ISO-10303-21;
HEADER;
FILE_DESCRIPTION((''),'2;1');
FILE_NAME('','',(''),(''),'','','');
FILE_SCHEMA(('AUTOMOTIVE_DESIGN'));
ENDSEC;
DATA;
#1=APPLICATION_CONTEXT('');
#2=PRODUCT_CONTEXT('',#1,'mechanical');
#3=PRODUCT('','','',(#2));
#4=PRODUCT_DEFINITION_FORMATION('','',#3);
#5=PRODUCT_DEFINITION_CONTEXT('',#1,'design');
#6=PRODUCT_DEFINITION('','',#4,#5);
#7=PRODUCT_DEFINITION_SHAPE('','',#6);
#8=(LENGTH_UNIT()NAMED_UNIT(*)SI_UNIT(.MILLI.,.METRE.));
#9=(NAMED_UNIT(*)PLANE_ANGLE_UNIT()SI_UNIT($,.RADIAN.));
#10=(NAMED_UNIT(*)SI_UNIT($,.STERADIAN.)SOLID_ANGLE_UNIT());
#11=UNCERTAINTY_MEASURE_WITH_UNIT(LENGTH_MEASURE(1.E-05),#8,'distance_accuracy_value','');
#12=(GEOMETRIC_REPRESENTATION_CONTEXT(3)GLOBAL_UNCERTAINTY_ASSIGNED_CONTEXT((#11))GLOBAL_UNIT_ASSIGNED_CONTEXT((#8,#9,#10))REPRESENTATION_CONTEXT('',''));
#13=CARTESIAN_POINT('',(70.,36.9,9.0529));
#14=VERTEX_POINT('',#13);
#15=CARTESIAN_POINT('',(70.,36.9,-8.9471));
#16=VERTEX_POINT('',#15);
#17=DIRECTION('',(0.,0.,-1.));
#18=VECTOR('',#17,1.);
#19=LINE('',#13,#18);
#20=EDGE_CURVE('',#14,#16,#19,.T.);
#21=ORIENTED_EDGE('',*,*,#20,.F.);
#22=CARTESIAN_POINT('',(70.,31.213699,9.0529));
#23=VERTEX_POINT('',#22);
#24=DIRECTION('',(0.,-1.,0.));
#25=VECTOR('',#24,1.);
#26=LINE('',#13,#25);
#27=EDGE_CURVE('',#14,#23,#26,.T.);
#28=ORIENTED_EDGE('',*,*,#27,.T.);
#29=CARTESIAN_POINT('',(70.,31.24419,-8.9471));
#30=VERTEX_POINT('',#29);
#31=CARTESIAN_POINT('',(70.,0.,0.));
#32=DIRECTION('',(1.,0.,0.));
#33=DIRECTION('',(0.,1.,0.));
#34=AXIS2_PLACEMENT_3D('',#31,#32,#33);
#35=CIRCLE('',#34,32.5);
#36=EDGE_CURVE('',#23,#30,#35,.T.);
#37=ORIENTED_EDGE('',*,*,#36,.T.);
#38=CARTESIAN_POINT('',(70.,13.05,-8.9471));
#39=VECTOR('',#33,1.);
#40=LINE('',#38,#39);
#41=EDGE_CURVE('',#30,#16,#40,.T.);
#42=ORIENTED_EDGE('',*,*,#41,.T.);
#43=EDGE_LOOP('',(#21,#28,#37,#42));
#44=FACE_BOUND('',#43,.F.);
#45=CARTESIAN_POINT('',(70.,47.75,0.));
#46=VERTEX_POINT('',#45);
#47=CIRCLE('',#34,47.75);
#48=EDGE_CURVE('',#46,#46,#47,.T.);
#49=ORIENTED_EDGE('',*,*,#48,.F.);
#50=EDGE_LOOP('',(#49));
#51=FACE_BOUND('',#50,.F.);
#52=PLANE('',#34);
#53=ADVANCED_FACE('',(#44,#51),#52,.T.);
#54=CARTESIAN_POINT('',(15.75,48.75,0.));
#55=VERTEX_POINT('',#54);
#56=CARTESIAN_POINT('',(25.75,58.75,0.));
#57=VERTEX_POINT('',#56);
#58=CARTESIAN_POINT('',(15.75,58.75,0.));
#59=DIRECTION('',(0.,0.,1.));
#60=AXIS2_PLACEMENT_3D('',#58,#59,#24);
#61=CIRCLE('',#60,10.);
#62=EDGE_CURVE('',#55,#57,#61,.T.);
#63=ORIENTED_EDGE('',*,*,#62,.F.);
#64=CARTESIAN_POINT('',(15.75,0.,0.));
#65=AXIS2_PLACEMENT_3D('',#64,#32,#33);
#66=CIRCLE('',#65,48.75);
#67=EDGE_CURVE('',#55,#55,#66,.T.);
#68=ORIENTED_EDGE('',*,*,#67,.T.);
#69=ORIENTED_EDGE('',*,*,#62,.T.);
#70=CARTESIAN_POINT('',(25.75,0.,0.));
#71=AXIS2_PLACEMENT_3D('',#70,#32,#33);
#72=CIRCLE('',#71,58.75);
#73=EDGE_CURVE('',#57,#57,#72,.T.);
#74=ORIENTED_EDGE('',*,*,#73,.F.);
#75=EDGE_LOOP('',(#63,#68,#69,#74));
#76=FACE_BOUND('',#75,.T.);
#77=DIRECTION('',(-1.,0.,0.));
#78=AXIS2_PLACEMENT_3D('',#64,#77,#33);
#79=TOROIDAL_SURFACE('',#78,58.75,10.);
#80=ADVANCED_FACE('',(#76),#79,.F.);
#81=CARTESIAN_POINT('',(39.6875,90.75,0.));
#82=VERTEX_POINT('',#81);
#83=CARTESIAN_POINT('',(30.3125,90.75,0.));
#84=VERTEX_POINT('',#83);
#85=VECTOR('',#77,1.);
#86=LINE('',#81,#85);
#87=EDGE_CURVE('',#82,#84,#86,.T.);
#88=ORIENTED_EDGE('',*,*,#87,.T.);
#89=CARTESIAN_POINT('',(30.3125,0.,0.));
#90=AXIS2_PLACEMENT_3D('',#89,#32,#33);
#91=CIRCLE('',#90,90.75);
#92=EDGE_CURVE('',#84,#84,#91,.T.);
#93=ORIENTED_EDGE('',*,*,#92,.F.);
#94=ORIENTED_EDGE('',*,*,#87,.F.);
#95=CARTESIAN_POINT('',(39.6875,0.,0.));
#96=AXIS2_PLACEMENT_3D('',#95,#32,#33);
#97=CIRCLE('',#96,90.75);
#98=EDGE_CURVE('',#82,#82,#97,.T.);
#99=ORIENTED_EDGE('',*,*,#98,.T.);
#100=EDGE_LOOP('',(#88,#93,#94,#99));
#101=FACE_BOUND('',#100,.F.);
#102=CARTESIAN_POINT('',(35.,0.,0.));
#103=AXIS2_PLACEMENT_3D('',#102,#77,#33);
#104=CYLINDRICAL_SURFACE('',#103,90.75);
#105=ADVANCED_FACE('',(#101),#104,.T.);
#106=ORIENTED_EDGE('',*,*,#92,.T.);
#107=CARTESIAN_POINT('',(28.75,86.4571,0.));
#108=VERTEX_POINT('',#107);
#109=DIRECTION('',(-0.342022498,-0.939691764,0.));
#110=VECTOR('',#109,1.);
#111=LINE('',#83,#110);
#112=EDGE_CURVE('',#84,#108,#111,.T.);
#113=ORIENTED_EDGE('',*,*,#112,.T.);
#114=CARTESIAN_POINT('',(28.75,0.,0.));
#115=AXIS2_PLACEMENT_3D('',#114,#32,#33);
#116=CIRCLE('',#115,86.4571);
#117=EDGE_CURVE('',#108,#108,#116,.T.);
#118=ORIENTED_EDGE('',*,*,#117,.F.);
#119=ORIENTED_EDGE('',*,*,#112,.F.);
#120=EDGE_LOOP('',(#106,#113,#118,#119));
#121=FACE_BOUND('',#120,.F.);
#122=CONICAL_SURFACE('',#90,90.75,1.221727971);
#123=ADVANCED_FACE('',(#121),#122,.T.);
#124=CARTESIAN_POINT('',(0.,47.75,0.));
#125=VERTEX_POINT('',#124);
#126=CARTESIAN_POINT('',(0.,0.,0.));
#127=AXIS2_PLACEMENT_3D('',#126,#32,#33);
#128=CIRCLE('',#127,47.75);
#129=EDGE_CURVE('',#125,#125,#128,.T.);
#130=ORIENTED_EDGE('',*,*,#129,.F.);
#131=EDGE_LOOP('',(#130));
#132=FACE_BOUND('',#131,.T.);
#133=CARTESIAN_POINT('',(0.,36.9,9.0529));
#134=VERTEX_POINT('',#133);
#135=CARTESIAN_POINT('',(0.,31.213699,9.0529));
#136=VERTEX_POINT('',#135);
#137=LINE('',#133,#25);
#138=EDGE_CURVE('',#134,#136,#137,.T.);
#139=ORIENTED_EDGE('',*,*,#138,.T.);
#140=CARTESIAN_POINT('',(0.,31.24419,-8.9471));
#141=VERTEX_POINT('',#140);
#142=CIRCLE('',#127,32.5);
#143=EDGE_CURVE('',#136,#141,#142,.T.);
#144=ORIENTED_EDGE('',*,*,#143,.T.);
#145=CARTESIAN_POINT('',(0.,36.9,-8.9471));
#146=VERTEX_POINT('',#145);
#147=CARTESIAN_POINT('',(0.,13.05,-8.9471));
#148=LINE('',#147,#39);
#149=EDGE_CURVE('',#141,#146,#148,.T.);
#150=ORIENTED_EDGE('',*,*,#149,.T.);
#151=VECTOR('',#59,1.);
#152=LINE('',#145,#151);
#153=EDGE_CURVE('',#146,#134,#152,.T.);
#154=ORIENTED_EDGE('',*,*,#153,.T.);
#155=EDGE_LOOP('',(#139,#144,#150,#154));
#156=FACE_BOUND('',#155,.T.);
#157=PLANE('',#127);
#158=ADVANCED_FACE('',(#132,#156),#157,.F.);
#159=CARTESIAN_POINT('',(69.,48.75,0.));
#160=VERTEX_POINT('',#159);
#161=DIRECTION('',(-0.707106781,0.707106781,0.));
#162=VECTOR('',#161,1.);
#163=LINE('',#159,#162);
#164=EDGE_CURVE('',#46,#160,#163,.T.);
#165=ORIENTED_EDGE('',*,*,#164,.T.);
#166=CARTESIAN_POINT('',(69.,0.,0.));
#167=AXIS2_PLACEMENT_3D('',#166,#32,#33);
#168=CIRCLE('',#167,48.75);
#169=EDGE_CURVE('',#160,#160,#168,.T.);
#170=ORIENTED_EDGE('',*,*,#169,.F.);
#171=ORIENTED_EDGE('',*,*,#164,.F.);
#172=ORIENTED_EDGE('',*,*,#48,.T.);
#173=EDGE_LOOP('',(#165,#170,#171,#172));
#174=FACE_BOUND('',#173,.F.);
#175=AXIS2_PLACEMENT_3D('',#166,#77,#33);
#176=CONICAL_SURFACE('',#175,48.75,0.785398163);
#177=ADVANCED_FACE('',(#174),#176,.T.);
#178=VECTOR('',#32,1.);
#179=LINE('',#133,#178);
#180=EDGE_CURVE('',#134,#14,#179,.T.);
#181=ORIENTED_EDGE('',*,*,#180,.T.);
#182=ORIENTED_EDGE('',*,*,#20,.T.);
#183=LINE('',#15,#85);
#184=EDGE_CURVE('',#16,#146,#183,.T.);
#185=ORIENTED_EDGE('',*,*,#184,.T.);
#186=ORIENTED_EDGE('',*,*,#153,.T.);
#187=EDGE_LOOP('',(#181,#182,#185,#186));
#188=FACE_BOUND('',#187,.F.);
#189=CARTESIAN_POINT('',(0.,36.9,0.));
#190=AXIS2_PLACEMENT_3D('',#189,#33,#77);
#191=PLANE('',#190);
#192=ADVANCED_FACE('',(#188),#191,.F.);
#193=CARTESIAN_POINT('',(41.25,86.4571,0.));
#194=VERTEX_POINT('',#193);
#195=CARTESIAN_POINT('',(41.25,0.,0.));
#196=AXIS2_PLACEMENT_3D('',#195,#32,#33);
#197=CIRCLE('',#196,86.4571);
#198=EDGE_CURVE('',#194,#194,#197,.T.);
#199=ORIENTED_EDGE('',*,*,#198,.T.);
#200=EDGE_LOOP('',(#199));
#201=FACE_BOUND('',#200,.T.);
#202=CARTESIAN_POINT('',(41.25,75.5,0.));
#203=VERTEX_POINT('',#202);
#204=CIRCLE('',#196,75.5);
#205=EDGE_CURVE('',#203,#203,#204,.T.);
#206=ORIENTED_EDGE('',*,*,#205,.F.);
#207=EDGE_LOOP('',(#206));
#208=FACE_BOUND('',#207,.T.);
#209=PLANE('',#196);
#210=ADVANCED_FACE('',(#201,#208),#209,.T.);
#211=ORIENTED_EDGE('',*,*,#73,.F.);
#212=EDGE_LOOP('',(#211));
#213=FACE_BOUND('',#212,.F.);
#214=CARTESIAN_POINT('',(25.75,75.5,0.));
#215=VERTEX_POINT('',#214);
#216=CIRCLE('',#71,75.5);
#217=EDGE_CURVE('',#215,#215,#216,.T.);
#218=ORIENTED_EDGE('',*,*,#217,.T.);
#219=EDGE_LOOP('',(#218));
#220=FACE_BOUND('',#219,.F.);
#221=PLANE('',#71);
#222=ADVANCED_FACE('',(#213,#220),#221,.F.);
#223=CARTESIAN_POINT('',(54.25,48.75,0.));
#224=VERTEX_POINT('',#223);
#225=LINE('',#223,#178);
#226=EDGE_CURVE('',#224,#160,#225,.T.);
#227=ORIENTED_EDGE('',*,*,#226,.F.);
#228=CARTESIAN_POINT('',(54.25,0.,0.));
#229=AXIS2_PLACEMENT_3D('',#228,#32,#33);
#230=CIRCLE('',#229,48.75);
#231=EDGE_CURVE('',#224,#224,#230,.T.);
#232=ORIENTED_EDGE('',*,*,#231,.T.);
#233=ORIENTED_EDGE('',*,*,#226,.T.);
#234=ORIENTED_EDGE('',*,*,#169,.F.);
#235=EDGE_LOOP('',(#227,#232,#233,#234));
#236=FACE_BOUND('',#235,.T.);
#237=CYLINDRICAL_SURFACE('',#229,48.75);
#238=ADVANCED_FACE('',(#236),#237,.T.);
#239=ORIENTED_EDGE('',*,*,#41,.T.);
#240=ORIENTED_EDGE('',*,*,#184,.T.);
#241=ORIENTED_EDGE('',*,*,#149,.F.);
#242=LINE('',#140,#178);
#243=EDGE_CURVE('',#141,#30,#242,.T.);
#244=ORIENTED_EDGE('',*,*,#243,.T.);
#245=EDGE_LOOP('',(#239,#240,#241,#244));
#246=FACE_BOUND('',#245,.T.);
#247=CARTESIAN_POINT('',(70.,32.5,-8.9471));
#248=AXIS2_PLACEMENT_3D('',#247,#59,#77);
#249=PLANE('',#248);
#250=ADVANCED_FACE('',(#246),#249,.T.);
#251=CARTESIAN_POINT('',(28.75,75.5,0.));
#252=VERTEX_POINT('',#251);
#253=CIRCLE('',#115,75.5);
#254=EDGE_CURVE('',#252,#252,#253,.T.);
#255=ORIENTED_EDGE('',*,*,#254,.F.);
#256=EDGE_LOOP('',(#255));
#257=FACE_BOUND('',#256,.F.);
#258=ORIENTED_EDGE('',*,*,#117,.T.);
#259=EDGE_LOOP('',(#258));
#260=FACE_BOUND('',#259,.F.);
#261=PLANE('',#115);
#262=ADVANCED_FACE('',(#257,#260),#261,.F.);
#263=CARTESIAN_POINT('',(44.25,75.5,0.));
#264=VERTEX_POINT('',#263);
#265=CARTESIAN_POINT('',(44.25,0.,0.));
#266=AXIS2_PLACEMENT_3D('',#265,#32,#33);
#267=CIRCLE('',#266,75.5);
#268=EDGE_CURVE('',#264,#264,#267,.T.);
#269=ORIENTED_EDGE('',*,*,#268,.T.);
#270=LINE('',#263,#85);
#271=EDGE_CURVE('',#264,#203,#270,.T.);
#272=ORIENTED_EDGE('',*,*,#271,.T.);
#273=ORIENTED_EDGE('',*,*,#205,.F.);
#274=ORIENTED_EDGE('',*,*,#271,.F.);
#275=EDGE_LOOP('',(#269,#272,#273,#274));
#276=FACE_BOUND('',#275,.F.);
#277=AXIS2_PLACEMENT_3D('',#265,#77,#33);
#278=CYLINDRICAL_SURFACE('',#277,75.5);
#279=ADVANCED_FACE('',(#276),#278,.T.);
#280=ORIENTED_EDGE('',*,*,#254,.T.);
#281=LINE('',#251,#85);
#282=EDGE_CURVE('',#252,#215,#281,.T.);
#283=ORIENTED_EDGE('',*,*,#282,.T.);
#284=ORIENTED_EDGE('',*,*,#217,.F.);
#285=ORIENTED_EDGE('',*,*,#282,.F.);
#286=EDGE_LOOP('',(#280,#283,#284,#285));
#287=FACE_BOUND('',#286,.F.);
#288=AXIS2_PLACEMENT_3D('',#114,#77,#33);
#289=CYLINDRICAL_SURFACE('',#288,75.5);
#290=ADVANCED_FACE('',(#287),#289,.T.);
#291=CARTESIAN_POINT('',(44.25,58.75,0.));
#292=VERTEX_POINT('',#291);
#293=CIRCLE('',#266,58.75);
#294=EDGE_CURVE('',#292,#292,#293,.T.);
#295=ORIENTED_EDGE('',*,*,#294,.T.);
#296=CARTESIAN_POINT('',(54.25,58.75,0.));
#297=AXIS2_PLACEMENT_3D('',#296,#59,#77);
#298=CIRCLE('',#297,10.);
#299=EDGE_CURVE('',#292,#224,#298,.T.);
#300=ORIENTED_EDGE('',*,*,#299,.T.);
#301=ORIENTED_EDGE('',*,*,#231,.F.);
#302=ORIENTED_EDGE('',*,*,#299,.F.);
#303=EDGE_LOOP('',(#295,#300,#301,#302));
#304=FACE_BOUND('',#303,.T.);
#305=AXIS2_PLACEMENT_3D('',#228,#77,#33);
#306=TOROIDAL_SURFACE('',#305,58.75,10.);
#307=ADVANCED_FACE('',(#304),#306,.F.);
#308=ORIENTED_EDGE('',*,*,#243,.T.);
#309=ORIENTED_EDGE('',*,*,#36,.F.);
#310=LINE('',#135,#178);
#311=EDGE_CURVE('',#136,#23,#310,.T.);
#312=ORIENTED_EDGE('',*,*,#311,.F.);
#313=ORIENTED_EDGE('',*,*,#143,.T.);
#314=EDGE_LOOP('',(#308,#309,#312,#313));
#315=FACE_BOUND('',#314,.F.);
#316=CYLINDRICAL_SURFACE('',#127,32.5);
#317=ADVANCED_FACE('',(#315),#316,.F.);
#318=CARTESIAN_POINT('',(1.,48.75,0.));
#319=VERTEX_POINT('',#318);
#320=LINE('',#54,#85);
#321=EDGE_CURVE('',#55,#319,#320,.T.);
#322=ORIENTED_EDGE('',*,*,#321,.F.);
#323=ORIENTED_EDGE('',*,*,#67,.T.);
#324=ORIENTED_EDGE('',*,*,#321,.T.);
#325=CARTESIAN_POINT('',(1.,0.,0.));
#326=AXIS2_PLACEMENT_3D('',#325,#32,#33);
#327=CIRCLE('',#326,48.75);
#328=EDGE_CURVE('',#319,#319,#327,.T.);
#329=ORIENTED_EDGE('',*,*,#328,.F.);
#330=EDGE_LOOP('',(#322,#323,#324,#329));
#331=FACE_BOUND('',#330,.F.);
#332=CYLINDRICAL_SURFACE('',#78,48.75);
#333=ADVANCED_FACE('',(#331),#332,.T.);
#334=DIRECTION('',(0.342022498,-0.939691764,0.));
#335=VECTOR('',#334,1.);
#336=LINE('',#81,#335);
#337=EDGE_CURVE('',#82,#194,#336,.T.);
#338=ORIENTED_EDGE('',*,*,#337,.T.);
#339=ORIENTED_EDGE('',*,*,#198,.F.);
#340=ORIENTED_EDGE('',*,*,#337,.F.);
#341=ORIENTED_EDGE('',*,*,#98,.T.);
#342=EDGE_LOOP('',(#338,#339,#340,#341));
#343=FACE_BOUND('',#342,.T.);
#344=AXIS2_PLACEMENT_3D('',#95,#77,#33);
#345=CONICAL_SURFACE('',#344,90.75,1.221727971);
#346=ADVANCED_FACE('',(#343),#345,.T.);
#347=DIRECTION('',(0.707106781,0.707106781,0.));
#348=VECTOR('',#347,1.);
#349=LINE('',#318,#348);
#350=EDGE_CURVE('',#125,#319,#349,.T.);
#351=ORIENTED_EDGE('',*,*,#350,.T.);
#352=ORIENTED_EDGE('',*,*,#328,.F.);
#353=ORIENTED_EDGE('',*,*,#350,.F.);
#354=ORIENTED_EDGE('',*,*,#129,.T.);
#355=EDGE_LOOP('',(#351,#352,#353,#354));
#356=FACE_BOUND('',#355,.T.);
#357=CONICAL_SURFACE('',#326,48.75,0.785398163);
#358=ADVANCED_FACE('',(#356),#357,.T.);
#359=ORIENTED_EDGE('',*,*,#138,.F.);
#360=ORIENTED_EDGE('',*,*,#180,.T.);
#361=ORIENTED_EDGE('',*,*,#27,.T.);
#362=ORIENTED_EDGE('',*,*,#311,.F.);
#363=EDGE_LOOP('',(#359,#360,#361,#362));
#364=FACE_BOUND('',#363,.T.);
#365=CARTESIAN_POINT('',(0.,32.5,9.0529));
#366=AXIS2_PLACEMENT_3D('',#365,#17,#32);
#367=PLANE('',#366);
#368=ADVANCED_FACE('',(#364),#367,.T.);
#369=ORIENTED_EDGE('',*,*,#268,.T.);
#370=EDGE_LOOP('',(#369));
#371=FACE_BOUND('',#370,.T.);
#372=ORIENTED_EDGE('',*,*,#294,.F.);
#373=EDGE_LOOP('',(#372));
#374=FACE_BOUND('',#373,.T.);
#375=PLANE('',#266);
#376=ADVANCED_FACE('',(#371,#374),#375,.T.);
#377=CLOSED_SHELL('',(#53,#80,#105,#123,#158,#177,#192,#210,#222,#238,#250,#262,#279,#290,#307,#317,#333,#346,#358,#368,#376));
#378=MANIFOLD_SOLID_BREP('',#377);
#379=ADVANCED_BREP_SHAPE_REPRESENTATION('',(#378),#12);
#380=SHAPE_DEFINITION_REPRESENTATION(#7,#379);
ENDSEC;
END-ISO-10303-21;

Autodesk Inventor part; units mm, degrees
ref_plane "YZ Plane" through (0, 0, 0) normal (1, 0, 0) x (0, 1, 0)
ref_plane "XY Plane" through (0, 0, 0) normal (0, 0, 1) x (1, 0, 0)
sketch "Эскиз1" plane through (0, 0, 0) normal (0, 0, 1) x (1, 0, 0)
  line L0 (0, 32.5) -> (70, 32.5)
  line L1 (0, 0) -> (109.6934, 0)
  line L2 (0, 32.5) -> (0, 44.804)
  line L3 (35, 68.0113) -> (35, 17.7812) construction
  line L4 (0, 80) -> (70, 80) construction
  line L5 (70, 32.5) -> (0, 32.5)
  line L6 (70, 32.5) -> (70, 44.804)
  line L7 (35, 68.0113) -> (35, 105.8973) construction
  line L8 (35, 90.75) -> (30.3125, 90.75)
  line L9 (30.3125, 90.75) -> (32.3125, 90.75) construction
  line L10 (35, 86.4571) -> (28.75, 86.4571)
  line L11 (30.3125, 90.75) -> (28.75, 86.4571)
  line L12 (28.75, 86.4571) -> (28.75, 75.5)
  line L13 (35, 86.4571) -> (41.25, 86.4571)
  line L14 (39.6875, 90.75) -> (41.25, 86.4571)
  line L15 (41.25, 86.4571) -> (41.25, 75.5)
  line L16 (39.6875, 90.75) -> (35, 90.75)
  line L17 (28.75, 75.5) -> (25.75, 75.5)
  line L18 (25.75, 75.5) -> (25.75, 72.7004)
  line L19 (25.75, 72.7004) -> (25.75, 58.75)
  arc A0 (15.75, 48.75) -> (25.75, 58.75) centre (15.75, 58.75) ccw
  line L20 (35, 90.75) -> (39.6875, 90.75)
  line L21 (35, 86.4571) -> (41.25, 86.4571)
  line L22 (39.6875, 90.75) -> (41.25, 86.4571)
  line L23 (41.25, 86.4571) -> (41.25, 75.5)
  line L24 (44.25, 75.5) -> (44.25, 72.7004)
  line L25 (44.25, 72.7004) -> (44.25, 58.75)
  arc A1 (44.25, 58.75) -> (54.25, 48.75) centre (54.25, 58.75) ccw
  line L26 (44.25, 75.5) -> (41.25, 75.5)
  line L27 (15.75, 48.75) -> (0, 48.75)
  line L28 (0, 48.75) -> (0, 44.804)
  line L29 (54.25, 48.75) -> (70, 48.75)
  line L30 (70, 48.75) -> (70, 43.7446)
  point P0 (0, 46.804)
  point P1 (12.5, 90.75)
  point P2 (57.5, 90.75)
  point P3 (70, 46.804)
  point P4 (57.5, 90.75)
  point P5 (25.75, 42.5)
  dimension "d0" = 65
  dimension "d1" = 70
  dimension "d2" = 160
  dimension "d9" = 45
  dimension "d10" = 70
  dimension "d15" = 2
  dimension "d18" = 2
  dimension "d28" = 4.6875
  dimension "d31" = 6.25
  dimension "d32" = 70
  dimension "d34" = 181.5
  dimension "d35" = 3
  dimension "d36" = 10
ref_plane "РабПлоскость1" through (0, 32.5, 0) normal (0, 1, 0) x (-1, 0, 0)
revolve "Вращение2" add sketch "Эскиз1" angle 360 about axis through (0, 0, 0) along (1, 0, 0)
sketch "Эскиз2" plane through (0, 32.5, 0) normal (0, 1, 0) x (-1, 0, 0)
  line L0 (-70, -8.9471) -> (0, -8.9471)
  line L1 (0, -8.9471) -> (0, 9.0529)
  line L2 (0, 9.0529) -> (-70, 9.0529)
  line L3 (-70, 9.0529) -> (-70, -8.9471)
  line L4 (-70, 32.5) -> (-70, -32.5) projected
  point P0 (0, 0)
  dimension "d21" = 18
  dimension "d22" = 0
  dimension "d23" = 70
extrude "Выдавливание1" cut sketch "Эскиз2" along normal blind 4.4 and the other way blind 19.45
chamfer "Фаска1" distance 1 angle 45 2 edges at (0, -48.75, 0) (70, -48.75, 0)
equation "\"d15\" = d11"
equation "\"d18\" = d17"
equation "\"d17\" = d11"
equation "\"d11\" = 2"
properties part number "звездочка" material "Сталь, углеродистая"
